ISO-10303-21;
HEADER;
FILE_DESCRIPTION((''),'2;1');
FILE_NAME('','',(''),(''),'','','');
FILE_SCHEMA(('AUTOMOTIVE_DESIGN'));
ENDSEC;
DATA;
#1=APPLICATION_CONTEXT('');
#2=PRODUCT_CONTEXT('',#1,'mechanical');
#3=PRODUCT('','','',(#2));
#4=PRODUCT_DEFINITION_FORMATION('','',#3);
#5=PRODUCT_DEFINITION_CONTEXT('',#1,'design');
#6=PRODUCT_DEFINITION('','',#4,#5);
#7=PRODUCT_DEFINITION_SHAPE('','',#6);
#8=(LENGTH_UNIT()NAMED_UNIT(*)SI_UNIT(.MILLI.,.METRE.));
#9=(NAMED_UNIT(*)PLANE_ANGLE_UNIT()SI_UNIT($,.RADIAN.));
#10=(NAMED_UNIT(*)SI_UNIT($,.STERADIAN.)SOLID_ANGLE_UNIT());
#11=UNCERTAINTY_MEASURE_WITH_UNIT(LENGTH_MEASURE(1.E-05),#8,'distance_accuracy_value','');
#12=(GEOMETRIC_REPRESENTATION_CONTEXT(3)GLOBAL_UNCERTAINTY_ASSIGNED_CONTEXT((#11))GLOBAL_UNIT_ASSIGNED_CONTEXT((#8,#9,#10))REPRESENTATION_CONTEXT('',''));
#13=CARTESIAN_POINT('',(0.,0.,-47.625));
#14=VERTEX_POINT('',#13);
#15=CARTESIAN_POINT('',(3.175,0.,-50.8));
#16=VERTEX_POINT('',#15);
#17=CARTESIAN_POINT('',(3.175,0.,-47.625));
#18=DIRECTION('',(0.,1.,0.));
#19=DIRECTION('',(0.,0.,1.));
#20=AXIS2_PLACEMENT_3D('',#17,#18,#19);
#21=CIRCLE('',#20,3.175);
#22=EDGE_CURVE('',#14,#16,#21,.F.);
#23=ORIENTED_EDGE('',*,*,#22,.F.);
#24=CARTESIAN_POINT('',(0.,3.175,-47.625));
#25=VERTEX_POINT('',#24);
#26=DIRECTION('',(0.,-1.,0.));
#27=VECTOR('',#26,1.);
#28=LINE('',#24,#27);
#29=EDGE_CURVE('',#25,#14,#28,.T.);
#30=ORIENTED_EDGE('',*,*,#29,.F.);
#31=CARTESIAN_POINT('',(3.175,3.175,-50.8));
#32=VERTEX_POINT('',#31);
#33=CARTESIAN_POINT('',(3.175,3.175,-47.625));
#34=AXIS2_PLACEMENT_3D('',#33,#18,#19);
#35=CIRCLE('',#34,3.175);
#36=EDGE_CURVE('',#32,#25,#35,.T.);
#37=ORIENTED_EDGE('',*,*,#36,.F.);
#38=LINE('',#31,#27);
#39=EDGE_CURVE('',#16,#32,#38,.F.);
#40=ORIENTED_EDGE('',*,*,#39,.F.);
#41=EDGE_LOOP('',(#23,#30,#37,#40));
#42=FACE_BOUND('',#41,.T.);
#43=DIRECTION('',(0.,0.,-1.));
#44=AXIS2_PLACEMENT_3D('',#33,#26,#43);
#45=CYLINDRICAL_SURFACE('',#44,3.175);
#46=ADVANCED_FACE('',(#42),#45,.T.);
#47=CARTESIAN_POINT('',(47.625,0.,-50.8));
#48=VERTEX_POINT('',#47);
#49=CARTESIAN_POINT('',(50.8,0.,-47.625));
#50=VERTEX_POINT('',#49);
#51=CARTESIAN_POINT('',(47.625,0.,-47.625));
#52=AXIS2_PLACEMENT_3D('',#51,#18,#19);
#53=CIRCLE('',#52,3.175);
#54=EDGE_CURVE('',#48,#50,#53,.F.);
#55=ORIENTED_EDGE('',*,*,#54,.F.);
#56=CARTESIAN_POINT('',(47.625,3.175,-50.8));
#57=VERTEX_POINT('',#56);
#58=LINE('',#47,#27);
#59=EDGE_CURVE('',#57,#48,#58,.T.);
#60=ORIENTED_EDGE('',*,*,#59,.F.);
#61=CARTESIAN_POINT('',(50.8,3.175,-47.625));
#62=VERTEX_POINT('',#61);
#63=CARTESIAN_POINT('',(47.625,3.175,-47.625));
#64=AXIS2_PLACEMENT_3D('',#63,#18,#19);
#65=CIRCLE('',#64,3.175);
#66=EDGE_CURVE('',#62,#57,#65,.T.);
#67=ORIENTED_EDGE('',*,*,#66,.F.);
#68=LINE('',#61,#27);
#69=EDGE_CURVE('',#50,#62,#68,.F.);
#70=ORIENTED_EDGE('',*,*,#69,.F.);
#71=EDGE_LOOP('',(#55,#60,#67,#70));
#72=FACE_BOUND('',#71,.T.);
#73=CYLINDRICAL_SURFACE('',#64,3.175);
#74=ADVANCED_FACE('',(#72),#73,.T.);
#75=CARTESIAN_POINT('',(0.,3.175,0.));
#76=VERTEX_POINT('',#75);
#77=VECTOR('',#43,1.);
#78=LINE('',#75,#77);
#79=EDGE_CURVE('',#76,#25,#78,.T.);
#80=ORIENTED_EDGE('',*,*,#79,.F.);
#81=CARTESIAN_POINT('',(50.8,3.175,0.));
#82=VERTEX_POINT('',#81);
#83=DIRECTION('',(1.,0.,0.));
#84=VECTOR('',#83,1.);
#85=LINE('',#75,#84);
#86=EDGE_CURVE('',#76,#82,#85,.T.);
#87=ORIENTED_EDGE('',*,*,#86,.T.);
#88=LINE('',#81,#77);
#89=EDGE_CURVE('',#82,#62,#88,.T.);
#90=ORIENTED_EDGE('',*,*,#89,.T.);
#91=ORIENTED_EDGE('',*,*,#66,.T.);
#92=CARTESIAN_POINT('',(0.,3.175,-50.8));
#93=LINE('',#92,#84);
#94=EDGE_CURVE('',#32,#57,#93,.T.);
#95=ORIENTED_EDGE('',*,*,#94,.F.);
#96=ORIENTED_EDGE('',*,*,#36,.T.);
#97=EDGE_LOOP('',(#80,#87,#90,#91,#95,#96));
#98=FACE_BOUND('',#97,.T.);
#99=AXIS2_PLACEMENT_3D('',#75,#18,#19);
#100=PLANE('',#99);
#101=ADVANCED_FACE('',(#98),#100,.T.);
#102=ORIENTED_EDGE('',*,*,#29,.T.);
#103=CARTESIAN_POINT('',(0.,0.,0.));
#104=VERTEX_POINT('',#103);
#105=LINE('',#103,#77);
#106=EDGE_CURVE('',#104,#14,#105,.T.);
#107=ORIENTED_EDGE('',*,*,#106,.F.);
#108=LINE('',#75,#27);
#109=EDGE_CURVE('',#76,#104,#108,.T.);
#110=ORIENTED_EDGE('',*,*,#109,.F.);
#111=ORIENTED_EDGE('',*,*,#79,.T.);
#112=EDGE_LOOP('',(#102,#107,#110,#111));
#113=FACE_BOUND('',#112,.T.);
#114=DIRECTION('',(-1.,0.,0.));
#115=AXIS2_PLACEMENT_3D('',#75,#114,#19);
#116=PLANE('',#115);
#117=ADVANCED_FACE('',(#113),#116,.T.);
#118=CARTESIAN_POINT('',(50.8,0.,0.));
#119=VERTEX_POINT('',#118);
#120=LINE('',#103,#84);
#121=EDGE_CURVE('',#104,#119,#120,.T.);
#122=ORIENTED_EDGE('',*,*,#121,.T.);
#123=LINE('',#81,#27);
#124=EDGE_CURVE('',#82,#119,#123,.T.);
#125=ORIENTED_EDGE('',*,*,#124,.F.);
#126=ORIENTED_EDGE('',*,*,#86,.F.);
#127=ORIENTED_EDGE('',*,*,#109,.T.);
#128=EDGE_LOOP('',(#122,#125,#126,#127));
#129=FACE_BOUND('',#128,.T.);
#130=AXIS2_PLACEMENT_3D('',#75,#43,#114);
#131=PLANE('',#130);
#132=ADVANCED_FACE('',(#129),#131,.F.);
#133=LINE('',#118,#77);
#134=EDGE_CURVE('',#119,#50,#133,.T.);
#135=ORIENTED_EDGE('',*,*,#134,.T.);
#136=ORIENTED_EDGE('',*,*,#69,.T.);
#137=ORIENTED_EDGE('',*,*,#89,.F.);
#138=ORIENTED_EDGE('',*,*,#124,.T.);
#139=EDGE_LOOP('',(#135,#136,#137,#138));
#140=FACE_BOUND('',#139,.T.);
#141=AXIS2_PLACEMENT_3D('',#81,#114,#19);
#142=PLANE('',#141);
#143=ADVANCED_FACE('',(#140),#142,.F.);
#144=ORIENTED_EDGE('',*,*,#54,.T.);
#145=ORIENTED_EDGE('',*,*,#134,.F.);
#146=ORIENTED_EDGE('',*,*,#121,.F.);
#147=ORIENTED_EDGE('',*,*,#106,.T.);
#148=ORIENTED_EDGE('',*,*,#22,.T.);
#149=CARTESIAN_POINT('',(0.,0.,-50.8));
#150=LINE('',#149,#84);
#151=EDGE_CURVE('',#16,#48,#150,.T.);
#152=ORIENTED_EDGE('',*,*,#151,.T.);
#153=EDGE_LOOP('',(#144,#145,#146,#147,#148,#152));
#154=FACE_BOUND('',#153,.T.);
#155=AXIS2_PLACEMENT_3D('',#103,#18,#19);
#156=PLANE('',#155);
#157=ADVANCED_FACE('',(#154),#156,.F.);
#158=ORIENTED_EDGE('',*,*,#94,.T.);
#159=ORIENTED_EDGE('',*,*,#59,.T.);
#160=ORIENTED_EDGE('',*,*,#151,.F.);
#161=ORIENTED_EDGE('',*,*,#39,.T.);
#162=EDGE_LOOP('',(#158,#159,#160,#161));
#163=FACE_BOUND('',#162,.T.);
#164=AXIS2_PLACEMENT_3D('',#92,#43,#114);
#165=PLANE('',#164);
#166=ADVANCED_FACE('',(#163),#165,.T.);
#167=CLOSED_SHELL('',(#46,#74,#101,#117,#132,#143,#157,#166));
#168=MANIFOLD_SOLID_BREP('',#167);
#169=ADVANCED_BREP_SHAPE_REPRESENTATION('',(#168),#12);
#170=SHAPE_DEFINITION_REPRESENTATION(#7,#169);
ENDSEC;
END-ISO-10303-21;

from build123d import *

# Parameters (mm, degrees)
SKETCH1_W           = 50.8
SKETCH1_H           = 50.8
BOSS_EXTRUDE1_DEPTH = 3.175
FILLET1_R           = 3.175


with BuildPart() as part:
    # Sketch1 → Boss-Extrude1 (new body)
    with BuildSketch(Plane(origin=(0, 0, 0), x_dir=(1, 0, 0), z_dir=(0, 1, 0))):
        with Locations((25.4, 25.4)):
            Rectangle(SKETCH1_W, SKETCH1_H)
    extrude(amount=BOSS_EXTRUDE1_DEPTH)

    # Fillet1
    fillet1_edges = [part.edges().sort_by_distance(p)[0] for p in [
        (0, 1.5875, -50.8),
        (50.8, 1.5875, -50.8),
    ]]
    fillet(fillet1_edges, radius=FILLET1_R)


solid = part.part
